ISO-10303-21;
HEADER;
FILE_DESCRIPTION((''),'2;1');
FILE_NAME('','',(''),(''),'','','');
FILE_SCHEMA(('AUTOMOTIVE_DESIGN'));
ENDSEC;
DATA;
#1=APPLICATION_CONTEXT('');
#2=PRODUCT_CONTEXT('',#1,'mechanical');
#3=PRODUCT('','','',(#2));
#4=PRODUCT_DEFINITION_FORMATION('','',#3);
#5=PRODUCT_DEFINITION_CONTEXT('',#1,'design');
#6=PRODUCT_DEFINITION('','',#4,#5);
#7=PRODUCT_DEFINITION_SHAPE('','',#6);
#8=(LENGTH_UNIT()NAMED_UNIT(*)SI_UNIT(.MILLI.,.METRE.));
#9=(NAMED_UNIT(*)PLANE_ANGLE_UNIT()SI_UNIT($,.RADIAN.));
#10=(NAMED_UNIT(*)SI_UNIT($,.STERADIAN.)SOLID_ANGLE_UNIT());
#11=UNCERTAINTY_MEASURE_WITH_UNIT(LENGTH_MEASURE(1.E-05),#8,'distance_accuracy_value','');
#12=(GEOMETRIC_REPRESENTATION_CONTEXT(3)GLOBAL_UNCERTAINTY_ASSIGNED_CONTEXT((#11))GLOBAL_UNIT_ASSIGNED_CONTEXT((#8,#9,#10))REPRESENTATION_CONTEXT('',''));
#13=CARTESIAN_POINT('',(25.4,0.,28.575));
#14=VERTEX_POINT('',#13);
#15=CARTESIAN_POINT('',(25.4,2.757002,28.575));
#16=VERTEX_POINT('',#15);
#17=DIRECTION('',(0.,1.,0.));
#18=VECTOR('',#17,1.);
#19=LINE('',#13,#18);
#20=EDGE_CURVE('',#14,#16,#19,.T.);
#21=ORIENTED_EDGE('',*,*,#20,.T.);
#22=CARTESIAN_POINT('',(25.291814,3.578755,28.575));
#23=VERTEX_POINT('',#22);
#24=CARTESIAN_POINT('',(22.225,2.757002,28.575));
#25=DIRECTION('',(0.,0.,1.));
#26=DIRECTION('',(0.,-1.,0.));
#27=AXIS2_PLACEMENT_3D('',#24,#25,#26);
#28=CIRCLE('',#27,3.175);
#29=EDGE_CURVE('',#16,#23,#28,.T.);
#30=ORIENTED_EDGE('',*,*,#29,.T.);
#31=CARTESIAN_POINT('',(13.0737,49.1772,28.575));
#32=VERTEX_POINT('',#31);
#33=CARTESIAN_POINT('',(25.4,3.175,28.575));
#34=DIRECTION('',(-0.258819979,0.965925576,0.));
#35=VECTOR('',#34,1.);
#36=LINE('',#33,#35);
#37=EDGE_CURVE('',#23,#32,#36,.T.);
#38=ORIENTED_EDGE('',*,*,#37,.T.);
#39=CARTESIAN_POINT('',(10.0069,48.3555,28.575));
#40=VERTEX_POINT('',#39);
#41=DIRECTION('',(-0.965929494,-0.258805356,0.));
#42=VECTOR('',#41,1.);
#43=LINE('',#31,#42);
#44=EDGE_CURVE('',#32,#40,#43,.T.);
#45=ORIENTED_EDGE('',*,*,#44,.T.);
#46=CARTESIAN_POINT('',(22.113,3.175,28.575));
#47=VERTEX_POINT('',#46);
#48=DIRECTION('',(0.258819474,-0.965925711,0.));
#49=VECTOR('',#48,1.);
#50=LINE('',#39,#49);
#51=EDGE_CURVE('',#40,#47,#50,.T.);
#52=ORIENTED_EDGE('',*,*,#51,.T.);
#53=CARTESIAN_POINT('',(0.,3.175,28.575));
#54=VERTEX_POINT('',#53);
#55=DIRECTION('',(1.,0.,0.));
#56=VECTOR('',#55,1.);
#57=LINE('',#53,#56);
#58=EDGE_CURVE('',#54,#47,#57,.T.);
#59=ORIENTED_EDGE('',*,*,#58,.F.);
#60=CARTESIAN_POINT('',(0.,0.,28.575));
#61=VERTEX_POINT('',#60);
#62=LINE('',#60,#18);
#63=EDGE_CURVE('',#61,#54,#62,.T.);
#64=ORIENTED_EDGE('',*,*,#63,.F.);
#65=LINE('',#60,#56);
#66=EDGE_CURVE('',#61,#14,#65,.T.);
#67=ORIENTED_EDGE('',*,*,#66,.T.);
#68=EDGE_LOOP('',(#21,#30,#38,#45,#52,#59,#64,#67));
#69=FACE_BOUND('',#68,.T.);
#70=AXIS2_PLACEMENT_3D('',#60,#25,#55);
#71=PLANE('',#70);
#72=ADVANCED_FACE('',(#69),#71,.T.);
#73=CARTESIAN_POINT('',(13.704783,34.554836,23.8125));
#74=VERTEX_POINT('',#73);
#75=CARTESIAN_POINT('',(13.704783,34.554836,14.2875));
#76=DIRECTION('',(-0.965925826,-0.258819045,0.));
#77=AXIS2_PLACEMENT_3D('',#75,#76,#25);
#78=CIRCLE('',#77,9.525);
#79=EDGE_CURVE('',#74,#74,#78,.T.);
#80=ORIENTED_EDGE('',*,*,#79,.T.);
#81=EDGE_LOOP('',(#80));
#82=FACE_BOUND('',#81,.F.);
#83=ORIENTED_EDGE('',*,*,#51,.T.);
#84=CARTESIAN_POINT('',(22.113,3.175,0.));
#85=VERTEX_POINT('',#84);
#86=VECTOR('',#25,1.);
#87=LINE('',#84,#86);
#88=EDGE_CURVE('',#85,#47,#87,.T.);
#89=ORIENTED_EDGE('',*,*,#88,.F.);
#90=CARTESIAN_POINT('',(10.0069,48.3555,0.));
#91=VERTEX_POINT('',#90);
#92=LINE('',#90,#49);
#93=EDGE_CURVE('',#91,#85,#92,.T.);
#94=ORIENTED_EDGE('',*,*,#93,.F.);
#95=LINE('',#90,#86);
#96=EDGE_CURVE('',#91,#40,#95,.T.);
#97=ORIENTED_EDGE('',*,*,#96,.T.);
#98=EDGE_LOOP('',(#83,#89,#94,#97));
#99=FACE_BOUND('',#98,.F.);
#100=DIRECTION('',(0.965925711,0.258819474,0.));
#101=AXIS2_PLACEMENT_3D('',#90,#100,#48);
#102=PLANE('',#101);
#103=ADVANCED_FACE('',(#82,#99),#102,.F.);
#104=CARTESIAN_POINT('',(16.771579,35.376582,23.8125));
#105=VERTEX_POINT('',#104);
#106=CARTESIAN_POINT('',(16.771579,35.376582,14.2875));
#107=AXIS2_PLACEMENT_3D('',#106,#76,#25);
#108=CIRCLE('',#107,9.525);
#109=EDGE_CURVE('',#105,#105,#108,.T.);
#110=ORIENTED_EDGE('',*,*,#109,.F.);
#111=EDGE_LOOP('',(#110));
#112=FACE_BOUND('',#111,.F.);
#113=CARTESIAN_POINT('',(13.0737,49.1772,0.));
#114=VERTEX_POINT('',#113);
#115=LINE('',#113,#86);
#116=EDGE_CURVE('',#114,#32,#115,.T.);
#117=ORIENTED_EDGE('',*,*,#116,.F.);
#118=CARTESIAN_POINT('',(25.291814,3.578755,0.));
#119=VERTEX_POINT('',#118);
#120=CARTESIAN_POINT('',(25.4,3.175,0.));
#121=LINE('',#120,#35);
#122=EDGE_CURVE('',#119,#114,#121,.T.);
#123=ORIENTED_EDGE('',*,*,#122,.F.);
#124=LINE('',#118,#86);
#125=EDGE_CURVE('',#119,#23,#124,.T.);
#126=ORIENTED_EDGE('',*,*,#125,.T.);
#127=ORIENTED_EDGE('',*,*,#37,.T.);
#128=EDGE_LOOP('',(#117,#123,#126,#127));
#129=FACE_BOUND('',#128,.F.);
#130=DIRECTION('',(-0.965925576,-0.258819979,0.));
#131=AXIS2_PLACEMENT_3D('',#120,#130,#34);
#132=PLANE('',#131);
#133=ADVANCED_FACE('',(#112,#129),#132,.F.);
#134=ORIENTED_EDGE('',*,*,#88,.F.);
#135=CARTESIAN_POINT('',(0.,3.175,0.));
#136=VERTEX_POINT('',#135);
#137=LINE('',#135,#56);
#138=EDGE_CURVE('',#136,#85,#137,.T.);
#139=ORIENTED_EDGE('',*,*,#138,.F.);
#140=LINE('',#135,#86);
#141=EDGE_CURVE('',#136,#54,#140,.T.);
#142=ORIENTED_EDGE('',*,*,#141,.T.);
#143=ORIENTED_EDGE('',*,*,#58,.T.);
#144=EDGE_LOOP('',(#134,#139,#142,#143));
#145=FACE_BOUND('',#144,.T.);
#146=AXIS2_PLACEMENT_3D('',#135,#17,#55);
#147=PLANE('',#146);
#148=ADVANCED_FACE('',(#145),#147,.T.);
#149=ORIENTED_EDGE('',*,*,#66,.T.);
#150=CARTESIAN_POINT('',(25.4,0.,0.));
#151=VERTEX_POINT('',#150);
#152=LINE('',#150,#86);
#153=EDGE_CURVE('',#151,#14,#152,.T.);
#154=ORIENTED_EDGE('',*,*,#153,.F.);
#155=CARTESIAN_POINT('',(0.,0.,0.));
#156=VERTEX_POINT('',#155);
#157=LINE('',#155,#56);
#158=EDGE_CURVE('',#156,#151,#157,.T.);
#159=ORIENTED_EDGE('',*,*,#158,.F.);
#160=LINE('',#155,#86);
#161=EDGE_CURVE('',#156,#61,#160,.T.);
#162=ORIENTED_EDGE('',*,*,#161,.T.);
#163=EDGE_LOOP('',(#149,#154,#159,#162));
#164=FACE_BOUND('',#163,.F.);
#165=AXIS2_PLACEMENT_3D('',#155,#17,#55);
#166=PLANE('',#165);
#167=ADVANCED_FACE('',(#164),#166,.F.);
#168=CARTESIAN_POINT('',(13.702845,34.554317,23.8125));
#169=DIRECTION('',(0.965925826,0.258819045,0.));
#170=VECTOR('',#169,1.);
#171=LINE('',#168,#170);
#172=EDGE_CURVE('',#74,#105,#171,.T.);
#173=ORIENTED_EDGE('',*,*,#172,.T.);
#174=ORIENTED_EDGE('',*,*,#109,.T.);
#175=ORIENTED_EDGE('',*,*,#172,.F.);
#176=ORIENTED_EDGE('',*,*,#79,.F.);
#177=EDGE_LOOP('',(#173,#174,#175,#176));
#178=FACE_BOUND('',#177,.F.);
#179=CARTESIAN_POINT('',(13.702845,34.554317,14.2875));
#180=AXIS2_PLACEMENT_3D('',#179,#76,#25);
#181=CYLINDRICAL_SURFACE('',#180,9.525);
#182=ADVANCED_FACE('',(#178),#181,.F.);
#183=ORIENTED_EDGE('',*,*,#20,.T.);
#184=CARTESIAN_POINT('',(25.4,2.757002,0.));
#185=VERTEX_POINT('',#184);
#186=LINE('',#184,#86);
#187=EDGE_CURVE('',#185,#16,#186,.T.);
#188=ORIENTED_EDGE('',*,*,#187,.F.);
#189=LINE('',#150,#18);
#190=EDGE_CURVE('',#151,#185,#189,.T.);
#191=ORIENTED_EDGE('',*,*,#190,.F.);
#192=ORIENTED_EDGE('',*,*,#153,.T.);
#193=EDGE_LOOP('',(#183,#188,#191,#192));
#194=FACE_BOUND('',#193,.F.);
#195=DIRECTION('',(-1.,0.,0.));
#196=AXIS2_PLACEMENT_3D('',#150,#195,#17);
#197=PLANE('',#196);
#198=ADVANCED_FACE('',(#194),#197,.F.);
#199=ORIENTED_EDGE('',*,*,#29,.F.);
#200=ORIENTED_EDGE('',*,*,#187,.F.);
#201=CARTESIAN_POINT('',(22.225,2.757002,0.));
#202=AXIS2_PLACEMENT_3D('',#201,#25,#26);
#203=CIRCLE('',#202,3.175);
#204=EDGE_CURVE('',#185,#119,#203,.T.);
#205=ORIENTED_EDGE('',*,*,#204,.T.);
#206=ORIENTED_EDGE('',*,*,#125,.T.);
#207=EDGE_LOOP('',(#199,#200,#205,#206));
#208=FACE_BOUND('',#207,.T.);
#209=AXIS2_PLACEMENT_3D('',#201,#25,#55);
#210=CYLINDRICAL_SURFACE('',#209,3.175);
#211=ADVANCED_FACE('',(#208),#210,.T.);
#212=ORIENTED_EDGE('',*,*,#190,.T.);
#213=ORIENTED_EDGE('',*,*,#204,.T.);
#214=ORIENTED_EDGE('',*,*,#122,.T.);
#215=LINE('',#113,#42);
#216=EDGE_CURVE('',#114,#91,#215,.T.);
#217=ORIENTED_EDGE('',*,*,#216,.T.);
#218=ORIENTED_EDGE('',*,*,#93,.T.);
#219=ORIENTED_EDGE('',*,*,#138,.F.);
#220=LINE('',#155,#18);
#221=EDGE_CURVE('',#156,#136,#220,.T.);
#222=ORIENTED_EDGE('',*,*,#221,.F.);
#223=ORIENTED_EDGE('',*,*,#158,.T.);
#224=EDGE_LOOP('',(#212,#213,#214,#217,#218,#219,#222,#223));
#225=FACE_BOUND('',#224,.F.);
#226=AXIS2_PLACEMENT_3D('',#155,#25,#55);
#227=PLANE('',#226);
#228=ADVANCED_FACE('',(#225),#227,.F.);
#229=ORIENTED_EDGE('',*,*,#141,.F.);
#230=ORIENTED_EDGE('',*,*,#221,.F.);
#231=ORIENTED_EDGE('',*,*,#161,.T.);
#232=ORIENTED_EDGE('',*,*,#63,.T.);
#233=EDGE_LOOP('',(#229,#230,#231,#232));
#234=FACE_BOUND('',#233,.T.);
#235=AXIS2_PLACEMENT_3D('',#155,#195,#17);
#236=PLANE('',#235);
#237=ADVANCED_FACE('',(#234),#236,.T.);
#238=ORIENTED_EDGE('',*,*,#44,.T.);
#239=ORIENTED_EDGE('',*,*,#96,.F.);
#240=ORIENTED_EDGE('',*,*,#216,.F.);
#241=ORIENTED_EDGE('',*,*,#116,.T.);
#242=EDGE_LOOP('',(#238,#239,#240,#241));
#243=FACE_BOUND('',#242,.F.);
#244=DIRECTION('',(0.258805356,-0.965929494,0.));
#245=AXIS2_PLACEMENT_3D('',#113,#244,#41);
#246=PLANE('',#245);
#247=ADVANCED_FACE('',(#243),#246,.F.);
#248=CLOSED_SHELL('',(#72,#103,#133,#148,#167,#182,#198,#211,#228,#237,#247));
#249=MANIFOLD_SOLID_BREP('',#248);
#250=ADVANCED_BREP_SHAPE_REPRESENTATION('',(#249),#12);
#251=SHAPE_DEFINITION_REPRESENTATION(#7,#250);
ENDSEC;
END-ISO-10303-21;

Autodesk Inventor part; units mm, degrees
ref_plane "YZ Plane" through (0, 0, 0) normal (1, 0, 0) x (0, 1, 0)
ref_plane "XZ Plane" through (0, 0, 0) normal (0, 1, 0) x (-1, 0, 0)
ref_plane "XY Plane" through (0, 0, 0) normal (0, 0, 1) x (1, 0, 0)
sketch "Sketch1" plane through (0, 0, 0) normal (0, 0, 1) x (1, 0, 0)
  line L0 (0, 0) -> (0, 3.175)
  line L1 (0, 0) -> (25.4, 0)
  line L2 (25.4, 0) -> (25.4, 3.175)
  line L3 (25.4, 3.175) -> (13.0737, 49.1772)
  line L4 (13.0737, 49.1772) -> (10.0069, 48.3555)
  line L5 (10.0069, 48.3555) -> (22.113, 3.175)
  line L6 (0, 3.175) -> (22.113, 3.175)
  dimension "d0" = 3.175
  dimension "d1" = 25.4
  dimension "d3" = 3.175
  dimension "d4" = 75
  dimension "d5" = 47.625
extrude "Extrusion1" add sketch "Sketch1" along normal blind 28.575
sketch "Sketch2" plane through (10.0069, 48.3555, 0) normal (-0.9659, -0.2588, 0) x (0, 0, 1)
  line L0 (28.575, -46.7743) -> (28.575, 0) projected
  line L1 (0, 0) -> (28.575, 0) projected
  circle A0 centre (14.2875, -14.2875) radius 9.525
  point P0 (0, -44.1178)
  dimension "d8" = 19.05
  dimension "d9" = 14.2875
  dimension "d10" = 14.2875
extrude "Extrusion2" cut sketch "Sketch2" against normal blind 28.575
fillet "Fillet1" radius 3.175 1 edges at (25.4, 3.175, 14.2875)
equation "\"d3\" = d0"
equation "\"d10\" = d9"
properties part number "bunny throw piston bracket"
